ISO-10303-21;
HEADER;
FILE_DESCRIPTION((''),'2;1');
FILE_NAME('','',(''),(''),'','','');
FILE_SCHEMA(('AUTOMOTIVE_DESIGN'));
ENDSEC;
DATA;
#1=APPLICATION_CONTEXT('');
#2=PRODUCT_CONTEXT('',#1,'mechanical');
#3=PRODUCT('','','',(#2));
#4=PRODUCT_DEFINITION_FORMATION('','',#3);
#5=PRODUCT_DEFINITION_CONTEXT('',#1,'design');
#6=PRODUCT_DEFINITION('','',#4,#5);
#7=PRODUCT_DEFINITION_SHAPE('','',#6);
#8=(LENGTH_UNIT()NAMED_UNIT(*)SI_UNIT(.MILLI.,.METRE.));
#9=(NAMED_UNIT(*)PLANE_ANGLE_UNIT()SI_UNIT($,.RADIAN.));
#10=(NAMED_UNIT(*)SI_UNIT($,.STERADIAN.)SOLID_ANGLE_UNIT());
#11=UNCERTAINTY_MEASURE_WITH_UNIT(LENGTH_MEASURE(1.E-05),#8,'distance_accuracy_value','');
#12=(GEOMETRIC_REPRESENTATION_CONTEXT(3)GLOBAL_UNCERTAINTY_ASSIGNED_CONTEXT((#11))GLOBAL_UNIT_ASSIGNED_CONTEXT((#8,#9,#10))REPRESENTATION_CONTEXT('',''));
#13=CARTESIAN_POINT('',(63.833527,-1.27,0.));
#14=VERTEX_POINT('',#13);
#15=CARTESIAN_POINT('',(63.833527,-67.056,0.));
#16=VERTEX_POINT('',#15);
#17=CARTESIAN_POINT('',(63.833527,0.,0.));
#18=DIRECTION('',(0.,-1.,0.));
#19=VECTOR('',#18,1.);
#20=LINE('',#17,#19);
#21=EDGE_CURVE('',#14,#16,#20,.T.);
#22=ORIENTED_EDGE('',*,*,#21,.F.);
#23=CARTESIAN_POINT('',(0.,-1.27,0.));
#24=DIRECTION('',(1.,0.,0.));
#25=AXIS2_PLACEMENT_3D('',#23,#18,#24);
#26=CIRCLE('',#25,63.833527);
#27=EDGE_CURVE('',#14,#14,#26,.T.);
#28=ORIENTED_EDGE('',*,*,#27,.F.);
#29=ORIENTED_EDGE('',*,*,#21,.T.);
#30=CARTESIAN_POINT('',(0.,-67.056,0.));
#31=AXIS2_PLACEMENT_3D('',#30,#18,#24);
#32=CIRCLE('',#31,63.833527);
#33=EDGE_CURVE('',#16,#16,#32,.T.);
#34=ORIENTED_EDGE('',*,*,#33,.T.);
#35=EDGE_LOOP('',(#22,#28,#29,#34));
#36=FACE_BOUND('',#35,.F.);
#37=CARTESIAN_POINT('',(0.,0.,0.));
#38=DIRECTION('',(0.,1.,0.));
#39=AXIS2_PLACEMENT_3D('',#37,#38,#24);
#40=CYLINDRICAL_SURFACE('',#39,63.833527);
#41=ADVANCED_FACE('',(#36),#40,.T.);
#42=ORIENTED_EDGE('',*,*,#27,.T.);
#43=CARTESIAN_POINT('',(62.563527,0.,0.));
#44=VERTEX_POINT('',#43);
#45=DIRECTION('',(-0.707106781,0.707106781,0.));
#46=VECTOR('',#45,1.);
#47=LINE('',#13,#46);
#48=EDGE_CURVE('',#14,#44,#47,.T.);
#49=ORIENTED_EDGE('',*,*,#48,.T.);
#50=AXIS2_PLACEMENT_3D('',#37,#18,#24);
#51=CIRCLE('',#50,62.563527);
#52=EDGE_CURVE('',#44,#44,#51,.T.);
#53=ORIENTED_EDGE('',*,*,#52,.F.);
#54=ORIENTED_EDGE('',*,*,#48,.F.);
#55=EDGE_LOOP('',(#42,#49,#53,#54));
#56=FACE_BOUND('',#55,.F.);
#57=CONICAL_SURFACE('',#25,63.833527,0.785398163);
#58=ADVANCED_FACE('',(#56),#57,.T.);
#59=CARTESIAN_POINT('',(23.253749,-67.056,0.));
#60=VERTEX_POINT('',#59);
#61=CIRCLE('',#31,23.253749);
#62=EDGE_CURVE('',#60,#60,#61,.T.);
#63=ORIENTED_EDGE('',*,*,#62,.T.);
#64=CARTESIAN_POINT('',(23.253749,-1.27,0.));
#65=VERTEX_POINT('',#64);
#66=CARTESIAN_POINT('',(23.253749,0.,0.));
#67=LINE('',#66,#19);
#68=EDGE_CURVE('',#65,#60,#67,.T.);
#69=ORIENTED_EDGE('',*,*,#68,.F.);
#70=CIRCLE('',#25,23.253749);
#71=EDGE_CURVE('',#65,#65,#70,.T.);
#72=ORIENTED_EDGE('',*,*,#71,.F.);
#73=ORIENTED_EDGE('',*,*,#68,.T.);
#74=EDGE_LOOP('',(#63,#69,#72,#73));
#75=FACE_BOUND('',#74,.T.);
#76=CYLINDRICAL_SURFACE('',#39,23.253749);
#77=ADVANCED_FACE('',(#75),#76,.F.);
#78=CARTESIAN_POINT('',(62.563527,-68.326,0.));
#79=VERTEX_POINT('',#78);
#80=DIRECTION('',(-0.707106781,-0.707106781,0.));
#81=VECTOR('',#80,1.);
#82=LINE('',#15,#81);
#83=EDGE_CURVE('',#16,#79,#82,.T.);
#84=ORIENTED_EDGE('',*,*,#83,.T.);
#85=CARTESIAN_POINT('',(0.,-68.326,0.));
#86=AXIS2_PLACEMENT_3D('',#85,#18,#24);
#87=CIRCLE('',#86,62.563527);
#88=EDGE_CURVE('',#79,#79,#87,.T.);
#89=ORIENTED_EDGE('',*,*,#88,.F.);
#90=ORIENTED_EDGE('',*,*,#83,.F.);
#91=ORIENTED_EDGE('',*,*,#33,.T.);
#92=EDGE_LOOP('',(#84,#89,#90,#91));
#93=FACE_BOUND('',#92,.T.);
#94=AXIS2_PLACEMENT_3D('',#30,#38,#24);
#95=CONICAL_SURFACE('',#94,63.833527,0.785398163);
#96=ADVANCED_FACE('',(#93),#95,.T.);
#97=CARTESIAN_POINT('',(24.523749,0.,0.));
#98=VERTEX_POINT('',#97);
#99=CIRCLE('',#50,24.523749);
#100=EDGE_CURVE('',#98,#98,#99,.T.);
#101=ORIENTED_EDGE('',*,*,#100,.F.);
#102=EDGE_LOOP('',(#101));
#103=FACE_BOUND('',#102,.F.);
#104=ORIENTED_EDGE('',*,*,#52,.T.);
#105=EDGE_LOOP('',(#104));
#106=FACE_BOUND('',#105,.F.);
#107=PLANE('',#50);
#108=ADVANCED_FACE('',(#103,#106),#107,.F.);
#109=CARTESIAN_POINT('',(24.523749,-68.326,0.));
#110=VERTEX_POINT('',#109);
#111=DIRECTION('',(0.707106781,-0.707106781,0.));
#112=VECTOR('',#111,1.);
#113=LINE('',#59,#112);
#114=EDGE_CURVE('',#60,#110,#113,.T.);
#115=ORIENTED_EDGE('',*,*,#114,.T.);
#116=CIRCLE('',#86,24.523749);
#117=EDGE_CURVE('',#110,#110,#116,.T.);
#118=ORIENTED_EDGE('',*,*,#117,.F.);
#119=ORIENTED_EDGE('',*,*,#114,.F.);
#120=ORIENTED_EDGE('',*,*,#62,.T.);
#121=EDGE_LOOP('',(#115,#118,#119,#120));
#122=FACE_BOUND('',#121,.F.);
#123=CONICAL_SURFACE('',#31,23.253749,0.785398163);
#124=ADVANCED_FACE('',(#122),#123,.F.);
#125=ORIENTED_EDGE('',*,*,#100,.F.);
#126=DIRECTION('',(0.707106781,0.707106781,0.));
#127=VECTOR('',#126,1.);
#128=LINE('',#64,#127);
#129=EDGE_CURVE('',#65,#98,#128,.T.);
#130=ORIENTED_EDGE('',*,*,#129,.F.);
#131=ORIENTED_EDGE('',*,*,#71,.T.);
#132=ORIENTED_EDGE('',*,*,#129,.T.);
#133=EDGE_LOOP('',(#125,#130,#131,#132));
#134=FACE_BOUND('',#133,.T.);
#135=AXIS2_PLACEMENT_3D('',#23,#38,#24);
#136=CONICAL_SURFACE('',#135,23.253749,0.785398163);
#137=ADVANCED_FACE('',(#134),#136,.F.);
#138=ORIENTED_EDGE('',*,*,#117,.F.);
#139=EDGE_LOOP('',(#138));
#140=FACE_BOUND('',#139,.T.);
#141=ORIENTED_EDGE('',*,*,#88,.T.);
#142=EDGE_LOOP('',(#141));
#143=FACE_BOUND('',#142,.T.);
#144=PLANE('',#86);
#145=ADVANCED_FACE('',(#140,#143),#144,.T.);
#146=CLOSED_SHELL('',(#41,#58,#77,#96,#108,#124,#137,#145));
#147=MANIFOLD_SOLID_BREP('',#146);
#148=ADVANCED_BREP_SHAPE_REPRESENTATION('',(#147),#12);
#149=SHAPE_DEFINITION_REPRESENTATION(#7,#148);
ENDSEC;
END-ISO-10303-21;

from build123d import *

# Parameters (mm, degrees)
F0_R     = 63.833527
F0_R_2   = 23.253749
F1_DEPTH = 68.326
F2_SIZE  = 1.27


with BuildPart() as f1:
    # F0 (on Front) → F1 (new body)
    with BuildSketch(Plane.XZ):
        Circle(F0_R)
        Circle(F0_R_2, mode=Mode.SUBTRACT)
    extrude(amount=F1_DEPTH)

    # F2
    f2_edges = [f1.edges().sort_by_distance(p)[0] for p in [
        (23.253749, -34.163, 0),
        (-23.253749, 0, 0),
        (-23.253749, -68.326, 0),
        (-63.833527, -68.326, 0),
        (-63.833527, 0, 0),
    ]]
    chamfer(f2_edges, length=F2_SIZE)


solid = f1.part
